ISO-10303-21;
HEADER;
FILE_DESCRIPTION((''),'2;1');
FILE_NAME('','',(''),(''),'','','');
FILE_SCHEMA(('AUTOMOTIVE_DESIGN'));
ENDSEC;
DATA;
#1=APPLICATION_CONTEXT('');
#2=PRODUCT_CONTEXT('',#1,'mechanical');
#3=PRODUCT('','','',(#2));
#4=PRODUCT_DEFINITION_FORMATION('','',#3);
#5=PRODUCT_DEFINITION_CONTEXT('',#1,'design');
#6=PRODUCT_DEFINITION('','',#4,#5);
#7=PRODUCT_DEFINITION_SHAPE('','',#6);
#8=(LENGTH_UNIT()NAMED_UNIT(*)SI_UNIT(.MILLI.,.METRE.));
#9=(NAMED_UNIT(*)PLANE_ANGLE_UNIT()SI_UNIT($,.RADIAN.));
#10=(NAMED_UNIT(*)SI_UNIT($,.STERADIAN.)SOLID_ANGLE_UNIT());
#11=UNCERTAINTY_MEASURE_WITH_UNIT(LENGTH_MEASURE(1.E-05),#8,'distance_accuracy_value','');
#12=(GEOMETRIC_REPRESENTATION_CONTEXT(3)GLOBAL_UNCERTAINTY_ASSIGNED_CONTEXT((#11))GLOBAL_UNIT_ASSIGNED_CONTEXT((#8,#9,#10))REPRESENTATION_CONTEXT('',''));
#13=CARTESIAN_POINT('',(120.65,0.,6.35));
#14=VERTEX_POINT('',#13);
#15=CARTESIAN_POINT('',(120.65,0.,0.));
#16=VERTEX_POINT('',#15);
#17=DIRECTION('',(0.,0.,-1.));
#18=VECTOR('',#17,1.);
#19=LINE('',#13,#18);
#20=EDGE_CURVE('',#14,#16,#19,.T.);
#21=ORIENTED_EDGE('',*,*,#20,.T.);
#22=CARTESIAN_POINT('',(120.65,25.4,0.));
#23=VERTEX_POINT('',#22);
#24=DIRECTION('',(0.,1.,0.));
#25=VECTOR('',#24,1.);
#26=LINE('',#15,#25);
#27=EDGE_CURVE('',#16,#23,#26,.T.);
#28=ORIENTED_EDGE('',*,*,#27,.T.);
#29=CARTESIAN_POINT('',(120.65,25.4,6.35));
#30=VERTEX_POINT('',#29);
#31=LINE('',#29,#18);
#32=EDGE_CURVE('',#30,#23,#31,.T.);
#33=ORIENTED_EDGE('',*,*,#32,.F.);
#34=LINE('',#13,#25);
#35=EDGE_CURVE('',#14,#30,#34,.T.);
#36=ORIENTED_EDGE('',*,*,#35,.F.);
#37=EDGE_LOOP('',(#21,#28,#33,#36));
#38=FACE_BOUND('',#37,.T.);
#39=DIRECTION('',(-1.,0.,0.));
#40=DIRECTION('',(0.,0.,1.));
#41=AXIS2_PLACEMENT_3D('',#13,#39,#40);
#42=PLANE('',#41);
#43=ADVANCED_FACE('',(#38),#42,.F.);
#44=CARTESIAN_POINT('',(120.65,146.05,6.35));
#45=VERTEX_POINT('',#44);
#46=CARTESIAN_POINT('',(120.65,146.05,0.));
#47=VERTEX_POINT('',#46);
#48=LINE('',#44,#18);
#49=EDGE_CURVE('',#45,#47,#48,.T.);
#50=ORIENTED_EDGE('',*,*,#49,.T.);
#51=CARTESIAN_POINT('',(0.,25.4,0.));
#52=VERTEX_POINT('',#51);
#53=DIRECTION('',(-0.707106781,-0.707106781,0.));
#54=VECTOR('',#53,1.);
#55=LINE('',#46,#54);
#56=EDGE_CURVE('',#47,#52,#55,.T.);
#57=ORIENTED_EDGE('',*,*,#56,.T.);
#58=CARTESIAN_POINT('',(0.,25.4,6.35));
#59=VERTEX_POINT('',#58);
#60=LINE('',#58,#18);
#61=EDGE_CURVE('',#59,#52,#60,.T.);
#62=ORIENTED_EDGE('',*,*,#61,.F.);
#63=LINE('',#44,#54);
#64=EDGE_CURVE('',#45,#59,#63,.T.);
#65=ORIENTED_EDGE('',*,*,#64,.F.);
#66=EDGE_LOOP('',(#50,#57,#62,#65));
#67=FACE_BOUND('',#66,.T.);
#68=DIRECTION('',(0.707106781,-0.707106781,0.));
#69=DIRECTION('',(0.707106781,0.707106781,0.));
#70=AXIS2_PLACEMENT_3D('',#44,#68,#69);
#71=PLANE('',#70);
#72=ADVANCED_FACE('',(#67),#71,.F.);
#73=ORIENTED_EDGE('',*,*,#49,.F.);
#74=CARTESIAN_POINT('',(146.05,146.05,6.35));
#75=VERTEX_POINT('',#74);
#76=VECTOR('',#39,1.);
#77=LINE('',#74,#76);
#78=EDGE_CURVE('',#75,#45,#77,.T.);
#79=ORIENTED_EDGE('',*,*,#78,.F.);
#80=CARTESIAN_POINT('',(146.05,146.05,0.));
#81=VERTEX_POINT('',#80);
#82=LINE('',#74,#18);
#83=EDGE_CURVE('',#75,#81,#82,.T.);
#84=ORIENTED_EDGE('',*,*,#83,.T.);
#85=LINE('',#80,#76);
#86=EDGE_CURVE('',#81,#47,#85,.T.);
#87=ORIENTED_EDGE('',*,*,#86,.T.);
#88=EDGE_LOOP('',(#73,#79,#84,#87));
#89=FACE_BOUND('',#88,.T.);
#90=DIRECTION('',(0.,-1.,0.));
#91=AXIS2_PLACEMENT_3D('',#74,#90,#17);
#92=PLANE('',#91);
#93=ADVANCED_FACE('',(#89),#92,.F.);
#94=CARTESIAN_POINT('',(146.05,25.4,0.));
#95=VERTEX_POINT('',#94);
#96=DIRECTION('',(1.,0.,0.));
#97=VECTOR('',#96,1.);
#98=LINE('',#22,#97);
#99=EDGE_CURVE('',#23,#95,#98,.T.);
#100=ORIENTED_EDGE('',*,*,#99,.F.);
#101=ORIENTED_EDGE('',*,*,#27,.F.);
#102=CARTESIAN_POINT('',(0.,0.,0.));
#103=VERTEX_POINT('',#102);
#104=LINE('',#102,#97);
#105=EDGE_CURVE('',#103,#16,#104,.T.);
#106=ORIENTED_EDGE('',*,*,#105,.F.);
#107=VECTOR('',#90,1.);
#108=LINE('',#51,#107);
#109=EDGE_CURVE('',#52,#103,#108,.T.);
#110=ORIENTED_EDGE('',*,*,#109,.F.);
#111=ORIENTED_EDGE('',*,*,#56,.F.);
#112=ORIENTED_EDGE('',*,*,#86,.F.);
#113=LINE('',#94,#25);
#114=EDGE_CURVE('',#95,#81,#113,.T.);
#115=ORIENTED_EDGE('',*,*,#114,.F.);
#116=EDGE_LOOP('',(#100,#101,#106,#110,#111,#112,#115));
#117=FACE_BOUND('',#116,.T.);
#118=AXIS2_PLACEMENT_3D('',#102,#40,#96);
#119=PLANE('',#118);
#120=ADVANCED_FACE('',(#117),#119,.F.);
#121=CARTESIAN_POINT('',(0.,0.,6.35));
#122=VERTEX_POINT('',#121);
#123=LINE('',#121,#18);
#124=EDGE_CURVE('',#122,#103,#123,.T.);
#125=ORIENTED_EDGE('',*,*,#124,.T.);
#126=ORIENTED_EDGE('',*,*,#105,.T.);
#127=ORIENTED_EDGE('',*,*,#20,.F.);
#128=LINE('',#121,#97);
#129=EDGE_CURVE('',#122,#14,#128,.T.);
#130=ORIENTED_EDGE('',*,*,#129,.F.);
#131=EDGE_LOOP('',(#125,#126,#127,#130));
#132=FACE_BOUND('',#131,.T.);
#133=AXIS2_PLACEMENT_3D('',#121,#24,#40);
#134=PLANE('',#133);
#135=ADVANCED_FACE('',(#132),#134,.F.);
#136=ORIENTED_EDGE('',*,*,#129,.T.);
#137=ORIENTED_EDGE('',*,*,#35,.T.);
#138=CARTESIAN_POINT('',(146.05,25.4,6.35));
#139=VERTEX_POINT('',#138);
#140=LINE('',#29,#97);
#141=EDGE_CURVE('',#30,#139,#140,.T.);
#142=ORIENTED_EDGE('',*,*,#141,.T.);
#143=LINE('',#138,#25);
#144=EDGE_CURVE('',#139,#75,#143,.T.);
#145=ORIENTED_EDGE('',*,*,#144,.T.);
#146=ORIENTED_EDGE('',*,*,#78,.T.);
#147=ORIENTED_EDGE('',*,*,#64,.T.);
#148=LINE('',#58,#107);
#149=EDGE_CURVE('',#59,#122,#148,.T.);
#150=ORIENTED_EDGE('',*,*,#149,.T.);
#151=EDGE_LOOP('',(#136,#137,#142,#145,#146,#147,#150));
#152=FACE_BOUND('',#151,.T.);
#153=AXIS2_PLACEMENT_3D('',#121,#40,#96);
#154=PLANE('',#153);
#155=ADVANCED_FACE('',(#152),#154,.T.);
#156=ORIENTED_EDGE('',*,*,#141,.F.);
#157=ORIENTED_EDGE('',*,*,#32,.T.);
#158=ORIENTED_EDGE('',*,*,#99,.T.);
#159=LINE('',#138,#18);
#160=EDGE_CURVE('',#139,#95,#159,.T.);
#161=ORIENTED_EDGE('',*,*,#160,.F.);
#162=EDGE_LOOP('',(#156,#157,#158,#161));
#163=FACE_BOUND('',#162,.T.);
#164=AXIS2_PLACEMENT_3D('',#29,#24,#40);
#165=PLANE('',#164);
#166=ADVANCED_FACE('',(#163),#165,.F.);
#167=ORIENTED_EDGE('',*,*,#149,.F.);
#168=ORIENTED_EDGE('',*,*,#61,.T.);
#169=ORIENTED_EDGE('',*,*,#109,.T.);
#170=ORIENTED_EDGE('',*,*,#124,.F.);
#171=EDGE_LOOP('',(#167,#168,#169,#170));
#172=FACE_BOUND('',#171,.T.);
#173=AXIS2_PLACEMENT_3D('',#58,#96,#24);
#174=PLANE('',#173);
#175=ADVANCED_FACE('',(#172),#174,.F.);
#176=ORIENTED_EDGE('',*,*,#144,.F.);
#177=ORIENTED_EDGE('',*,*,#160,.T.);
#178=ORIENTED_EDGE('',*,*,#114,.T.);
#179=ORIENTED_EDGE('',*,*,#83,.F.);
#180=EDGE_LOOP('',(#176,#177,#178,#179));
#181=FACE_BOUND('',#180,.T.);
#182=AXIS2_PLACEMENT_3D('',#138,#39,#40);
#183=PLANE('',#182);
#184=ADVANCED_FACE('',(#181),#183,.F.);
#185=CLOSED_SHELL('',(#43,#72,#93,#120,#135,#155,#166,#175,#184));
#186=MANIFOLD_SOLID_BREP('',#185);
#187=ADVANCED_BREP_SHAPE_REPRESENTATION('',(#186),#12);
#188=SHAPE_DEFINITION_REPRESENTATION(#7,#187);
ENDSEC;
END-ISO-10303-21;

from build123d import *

# Parameters (mm, degrees)
BOSS_EXTRUDE1_DEPTH = 6.35


with BuildPart() as part:
    # Sketch1 → Boss-Extrude1 (new body)
    with BuildSketch(Plane.XY):
        Polygon((0, 0), (120.65, 0), (120.65, 25.4), (146.05, 25.4), (146.05, 146.05), (120.65, 146.05), (0, 25.4), align=None)
    extrude(amount=BOSS_EXTRUDE1_DEPTH)


solid = part.part
